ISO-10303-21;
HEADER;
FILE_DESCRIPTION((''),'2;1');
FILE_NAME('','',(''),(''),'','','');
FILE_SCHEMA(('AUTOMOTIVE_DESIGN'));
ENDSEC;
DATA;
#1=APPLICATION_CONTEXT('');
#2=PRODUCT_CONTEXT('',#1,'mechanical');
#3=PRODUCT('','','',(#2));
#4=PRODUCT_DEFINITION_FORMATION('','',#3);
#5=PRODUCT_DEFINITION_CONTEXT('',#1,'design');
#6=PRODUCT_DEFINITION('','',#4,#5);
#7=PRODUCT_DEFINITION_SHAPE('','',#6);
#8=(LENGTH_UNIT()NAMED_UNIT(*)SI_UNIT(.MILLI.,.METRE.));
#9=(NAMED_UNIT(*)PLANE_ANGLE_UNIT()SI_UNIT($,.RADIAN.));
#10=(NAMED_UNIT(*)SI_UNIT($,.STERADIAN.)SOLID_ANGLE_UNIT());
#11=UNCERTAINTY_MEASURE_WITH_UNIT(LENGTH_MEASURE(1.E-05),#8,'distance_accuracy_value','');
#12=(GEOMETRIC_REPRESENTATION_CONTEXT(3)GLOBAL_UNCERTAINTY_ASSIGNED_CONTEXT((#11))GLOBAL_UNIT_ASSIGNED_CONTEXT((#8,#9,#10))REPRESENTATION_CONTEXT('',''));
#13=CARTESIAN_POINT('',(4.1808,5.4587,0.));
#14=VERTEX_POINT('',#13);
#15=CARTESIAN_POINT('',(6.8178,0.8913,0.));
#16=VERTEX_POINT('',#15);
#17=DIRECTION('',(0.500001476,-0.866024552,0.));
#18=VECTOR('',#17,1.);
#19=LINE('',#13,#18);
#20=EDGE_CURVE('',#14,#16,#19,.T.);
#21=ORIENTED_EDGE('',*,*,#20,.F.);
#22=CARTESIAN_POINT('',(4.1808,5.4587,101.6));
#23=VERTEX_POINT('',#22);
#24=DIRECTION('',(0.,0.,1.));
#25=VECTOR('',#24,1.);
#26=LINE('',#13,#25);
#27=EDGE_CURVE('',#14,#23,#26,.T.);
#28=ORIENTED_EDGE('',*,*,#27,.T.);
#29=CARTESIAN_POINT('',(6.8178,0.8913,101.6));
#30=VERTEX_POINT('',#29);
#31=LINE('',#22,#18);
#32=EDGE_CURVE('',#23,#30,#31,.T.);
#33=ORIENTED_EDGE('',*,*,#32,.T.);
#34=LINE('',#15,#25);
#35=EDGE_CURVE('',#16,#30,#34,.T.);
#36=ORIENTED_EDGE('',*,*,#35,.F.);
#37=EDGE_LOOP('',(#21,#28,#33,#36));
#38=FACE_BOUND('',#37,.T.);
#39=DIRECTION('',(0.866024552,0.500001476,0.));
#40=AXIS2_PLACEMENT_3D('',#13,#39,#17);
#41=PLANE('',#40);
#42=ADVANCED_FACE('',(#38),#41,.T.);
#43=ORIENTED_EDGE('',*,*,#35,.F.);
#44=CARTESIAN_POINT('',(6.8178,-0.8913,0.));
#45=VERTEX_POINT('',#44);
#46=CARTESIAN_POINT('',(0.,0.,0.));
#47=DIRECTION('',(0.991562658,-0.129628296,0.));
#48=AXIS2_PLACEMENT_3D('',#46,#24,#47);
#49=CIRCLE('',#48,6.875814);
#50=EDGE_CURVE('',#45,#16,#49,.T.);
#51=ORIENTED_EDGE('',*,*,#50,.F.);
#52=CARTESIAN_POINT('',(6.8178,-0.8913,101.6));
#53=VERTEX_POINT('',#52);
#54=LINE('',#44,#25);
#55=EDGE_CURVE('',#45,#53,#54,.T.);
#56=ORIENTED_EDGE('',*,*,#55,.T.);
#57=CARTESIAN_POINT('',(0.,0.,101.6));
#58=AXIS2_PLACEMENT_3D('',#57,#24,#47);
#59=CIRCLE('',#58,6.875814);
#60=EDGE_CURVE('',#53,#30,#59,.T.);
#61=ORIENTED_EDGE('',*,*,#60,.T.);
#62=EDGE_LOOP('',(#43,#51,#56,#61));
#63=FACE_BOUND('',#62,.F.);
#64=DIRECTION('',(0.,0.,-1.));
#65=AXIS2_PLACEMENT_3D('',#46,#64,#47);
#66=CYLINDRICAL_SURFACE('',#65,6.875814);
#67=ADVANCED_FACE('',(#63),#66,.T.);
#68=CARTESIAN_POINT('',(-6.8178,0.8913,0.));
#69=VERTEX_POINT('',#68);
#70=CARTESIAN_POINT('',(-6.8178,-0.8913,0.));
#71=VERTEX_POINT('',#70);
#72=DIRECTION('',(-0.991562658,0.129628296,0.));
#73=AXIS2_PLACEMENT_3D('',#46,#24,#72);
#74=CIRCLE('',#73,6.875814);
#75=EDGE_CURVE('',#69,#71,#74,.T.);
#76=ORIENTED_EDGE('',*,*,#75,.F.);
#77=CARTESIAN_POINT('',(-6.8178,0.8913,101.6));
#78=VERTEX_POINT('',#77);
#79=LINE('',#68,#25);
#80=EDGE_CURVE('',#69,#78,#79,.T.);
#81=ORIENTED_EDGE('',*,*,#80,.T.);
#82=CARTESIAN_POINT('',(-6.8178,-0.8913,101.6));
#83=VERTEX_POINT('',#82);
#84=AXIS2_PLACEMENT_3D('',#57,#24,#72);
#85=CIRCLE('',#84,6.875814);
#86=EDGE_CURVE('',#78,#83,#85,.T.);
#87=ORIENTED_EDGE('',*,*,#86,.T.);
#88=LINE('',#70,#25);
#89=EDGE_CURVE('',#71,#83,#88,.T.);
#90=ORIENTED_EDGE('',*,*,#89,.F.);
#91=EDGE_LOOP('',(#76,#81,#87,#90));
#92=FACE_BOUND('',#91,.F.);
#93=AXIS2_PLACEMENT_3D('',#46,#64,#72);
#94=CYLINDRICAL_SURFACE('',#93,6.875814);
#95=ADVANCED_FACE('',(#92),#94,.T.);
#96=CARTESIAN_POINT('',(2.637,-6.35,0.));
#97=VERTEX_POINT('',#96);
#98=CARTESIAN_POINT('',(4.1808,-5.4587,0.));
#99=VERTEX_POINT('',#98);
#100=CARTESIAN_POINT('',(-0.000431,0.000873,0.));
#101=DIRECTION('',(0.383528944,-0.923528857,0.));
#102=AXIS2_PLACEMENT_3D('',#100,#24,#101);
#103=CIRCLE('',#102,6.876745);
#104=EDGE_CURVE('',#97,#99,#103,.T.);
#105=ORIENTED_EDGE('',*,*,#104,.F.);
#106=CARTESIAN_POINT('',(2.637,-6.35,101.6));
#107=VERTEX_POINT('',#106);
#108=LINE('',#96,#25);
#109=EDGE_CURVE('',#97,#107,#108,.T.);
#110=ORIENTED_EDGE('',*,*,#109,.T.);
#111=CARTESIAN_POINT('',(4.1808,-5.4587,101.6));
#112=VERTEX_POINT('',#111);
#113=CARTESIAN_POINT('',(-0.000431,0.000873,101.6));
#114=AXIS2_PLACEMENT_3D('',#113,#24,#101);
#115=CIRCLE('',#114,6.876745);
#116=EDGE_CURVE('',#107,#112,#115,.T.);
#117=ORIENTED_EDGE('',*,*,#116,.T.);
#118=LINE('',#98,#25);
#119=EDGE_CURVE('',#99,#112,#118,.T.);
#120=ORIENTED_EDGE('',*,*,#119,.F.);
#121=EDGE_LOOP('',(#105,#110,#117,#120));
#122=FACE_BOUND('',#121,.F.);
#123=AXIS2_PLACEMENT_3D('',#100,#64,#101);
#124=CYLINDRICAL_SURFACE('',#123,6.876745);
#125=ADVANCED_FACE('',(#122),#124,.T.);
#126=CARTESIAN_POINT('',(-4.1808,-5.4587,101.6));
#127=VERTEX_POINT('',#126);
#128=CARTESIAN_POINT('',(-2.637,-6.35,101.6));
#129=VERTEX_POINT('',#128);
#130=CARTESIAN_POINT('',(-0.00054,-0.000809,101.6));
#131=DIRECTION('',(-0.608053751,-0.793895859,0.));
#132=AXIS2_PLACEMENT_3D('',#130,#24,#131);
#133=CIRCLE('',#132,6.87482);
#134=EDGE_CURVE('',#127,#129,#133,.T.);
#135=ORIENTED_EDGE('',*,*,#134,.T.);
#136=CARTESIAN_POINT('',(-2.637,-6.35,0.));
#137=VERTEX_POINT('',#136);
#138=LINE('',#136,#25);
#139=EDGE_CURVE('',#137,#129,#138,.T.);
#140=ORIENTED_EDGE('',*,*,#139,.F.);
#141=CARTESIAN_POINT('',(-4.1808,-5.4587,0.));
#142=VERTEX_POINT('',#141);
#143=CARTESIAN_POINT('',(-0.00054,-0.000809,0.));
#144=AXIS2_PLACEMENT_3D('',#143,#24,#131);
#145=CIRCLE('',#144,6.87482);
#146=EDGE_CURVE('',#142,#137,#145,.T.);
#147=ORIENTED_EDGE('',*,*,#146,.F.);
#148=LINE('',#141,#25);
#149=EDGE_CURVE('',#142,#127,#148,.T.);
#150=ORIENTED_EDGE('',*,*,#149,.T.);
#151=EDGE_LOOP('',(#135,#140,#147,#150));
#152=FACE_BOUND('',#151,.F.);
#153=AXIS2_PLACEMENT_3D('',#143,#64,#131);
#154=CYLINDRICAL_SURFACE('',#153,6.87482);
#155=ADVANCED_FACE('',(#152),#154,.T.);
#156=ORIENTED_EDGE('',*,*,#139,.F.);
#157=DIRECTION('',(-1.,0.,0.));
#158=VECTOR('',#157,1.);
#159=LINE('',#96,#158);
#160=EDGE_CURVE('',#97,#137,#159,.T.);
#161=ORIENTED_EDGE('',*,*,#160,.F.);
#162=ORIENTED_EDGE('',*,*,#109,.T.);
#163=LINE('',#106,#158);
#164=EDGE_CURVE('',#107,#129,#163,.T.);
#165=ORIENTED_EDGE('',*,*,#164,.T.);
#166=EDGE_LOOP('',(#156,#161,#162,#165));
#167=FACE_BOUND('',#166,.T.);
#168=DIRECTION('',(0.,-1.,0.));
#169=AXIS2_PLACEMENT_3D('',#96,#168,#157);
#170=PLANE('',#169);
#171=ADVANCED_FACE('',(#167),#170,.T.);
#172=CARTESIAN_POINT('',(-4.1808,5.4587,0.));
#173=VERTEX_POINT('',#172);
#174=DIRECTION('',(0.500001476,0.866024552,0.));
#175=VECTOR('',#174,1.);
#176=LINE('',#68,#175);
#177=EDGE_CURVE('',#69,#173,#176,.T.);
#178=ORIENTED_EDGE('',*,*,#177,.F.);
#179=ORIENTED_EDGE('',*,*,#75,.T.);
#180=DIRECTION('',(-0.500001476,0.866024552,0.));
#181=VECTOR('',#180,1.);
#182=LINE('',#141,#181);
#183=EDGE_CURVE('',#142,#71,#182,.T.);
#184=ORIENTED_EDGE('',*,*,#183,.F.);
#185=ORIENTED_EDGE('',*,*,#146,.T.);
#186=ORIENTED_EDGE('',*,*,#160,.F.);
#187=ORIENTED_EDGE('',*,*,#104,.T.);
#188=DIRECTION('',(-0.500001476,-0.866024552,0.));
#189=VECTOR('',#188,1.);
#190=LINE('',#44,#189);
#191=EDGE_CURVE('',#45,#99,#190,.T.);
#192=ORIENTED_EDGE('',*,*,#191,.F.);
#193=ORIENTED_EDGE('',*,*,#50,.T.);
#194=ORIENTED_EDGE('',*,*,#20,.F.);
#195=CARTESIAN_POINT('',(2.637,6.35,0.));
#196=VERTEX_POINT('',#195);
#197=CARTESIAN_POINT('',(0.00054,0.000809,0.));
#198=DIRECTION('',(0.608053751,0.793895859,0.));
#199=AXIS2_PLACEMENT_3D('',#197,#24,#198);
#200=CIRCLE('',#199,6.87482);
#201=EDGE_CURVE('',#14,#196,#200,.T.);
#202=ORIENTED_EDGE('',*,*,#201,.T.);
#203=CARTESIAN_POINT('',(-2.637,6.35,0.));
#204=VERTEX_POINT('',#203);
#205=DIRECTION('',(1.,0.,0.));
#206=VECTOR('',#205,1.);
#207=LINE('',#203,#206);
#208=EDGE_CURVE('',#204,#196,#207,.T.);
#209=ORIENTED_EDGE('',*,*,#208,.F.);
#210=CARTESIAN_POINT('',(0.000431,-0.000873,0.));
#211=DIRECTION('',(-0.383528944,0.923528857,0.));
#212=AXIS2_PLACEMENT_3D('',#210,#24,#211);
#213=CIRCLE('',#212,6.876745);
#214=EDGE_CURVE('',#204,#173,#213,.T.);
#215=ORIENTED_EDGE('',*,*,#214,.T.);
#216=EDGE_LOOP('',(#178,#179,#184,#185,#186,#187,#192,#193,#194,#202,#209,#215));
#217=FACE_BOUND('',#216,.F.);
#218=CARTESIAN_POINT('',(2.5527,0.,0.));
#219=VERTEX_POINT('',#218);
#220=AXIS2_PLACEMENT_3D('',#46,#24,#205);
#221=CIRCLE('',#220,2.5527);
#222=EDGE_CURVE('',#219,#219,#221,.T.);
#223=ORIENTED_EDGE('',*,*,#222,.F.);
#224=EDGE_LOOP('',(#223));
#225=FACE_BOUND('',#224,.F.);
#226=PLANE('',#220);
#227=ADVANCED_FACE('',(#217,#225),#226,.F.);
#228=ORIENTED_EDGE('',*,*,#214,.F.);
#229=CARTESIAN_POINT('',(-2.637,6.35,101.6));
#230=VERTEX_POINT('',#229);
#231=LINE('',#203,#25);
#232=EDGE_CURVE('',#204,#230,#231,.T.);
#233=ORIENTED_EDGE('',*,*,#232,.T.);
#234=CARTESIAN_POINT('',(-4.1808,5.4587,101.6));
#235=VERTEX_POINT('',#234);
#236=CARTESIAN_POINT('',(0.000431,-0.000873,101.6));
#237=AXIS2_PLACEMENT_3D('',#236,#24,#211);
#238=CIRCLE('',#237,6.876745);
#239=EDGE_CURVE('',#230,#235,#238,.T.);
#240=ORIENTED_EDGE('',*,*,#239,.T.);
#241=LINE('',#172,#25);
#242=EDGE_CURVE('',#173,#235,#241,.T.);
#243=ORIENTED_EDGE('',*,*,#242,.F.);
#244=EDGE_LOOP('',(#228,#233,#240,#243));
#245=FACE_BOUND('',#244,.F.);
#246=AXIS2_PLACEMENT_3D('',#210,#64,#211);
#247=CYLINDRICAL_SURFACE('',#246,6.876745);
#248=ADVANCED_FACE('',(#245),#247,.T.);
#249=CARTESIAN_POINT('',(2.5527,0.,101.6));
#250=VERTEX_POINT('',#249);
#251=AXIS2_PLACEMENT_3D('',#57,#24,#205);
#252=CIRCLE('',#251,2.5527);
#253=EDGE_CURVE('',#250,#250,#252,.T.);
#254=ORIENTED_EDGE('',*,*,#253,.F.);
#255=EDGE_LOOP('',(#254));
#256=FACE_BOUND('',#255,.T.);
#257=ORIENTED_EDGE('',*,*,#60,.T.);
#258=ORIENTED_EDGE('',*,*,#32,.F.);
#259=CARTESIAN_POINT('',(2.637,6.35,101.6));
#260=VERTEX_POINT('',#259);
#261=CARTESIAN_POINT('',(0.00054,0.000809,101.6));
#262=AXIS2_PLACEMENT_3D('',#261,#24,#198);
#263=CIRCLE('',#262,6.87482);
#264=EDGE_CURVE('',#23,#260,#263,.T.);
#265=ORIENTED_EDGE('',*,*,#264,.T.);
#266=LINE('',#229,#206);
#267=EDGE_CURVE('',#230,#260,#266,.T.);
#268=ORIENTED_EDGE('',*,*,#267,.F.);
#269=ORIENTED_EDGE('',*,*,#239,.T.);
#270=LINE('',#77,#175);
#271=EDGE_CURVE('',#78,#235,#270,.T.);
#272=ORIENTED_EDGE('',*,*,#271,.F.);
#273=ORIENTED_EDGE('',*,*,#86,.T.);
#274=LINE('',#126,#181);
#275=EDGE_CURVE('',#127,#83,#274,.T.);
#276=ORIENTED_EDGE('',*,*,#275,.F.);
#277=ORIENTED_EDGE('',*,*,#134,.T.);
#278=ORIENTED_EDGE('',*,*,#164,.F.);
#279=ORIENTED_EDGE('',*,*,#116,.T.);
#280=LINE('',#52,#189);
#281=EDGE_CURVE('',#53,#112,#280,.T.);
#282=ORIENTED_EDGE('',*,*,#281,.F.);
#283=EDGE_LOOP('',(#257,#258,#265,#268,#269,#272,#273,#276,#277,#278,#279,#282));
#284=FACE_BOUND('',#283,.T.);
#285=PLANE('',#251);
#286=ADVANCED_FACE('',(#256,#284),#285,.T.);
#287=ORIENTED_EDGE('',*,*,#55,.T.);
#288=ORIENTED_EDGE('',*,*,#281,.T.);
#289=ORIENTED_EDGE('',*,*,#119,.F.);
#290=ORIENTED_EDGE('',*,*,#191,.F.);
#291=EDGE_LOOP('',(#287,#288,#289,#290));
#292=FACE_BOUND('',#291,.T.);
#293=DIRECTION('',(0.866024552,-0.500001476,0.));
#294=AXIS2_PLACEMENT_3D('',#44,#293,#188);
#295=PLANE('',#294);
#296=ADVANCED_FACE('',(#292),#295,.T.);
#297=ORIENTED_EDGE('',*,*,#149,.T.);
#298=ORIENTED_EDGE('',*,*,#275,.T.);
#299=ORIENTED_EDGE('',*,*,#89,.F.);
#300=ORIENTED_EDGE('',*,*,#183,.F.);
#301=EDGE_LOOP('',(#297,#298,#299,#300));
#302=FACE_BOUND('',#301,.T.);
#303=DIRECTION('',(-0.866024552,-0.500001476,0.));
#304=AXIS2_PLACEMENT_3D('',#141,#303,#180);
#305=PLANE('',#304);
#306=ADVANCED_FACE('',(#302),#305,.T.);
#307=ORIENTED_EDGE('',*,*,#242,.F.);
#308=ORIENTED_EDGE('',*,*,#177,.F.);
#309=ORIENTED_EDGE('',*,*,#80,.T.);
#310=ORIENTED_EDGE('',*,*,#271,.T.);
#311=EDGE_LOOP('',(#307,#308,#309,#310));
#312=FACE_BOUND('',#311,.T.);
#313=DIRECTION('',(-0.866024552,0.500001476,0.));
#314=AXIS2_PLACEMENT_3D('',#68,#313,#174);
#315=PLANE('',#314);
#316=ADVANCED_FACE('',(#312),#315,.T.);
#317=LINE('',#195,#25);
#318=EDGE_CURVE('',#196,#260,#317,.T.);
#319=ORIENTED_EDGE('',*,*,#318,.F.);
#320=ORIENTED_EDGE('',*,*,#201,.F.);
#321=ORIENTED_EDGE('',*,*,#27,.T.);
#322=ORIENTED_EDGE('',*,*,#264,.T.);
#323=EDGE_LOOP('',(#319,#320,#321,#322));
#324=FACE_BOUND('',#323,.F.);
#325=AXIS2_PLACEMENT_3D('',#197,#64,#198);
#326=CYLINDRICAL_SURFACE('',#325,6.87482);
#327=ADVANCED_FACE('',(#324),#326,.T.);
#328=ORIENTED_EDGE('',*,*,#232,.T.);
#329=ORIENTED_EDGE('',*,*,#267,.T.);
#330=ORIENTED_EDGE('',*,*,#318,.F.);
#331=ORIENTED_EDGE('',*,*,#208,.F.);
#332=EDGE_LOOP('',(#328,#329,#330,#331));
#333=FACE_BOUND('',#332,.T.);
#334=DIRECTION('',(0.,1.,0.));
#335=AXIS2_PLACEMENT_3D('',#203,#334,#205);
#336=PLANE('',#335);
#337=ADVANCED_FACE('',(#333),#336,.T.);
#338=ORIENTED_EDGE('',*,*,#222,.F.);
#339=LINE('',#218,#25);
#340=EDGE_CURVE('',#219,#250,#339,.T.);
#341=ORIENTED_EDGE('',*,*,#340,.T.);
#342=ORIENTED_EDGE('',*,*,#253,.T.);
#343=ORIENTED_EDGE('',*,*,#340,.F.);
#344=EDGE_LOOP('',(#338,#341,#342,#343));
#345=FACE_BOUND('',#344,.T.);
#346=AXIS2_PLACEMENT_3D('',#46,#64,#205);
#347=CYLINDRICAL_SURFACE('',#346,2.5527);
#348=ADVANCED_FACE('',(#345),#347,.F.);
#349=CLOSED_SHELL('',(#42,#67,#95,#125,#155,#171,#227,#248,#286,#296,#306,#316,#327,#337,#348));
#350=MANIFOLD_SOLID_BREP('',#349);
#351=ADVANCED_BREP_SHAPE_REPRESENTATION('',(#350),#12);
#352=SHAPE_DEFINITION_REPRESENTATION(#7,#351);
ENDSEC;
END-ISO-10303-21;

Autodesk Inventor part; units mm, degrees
ref_plane "YZ Plane" through (0, 0, 0) normal (1, 0, 0) x (0, 1, 0)
ref_plane "XZ Plane" through (0, 0, 0) normal (0, 1, 0) x (-1, 0, 0)
ref_plane "XY Plane" through (0, 0, 0) normal (0, 0, 1) x (1, 0, 0)
sketch "Sketch1" plane through (0, 0, 0) normal (0, 0, 1) x (1, 0, 0)
  line L0 (4.1808, 5.4587) -> (6.8178, 0.8913)
  line L1 (6.8178, -0.8913) -> (4.1808, -5.4587)
  line L2 (2.637, -6.35) -> (-2.637, -6.35)
  line L3 (-4.1808, -5.4587) -> (-6.8178, -0.8913)
  line L4 (-6.8178, 0.8913) -> (-4.1808, 5.4587)
  line L5 (-2.637, 6.35) -> (2.637, 6.35)
  arc A0 (-6.8178, 0.8913) -> (-6.8178, -0.8913) centre (0, 0) ccw
  arc A1 (-4.1808, -5.4587) -> (-2.637, -6.35) centre (0, 0) ccw
  arc A2 (2.637, -6.35) -> (4.1808, -5.4587) centre (0, 0) ccw
  arc A3 (6.8178, -0.8913) -> (6.8178, 0.8913) centre (0, 0) ccw
  arc A4 (4.1808, 5.4587) -> (2.637, 6.35) centre (0, 0) ccw
  arc A5 (-2.637, 6.35) -> (-4.1808, 5.4587) centre (0, 0) ccw
  circle A6 centre (0, 0) radius 2.5527
  dimension "d2" = 12.7
  dimension "d3" = 6.8758
  dimension "d4" = 5.1054
extrude "Extrusion1" add sketch "Sketch1" along normal blind 101.6
properties part number "THUNDER HEX - 4" material "Aluminum 6061"
